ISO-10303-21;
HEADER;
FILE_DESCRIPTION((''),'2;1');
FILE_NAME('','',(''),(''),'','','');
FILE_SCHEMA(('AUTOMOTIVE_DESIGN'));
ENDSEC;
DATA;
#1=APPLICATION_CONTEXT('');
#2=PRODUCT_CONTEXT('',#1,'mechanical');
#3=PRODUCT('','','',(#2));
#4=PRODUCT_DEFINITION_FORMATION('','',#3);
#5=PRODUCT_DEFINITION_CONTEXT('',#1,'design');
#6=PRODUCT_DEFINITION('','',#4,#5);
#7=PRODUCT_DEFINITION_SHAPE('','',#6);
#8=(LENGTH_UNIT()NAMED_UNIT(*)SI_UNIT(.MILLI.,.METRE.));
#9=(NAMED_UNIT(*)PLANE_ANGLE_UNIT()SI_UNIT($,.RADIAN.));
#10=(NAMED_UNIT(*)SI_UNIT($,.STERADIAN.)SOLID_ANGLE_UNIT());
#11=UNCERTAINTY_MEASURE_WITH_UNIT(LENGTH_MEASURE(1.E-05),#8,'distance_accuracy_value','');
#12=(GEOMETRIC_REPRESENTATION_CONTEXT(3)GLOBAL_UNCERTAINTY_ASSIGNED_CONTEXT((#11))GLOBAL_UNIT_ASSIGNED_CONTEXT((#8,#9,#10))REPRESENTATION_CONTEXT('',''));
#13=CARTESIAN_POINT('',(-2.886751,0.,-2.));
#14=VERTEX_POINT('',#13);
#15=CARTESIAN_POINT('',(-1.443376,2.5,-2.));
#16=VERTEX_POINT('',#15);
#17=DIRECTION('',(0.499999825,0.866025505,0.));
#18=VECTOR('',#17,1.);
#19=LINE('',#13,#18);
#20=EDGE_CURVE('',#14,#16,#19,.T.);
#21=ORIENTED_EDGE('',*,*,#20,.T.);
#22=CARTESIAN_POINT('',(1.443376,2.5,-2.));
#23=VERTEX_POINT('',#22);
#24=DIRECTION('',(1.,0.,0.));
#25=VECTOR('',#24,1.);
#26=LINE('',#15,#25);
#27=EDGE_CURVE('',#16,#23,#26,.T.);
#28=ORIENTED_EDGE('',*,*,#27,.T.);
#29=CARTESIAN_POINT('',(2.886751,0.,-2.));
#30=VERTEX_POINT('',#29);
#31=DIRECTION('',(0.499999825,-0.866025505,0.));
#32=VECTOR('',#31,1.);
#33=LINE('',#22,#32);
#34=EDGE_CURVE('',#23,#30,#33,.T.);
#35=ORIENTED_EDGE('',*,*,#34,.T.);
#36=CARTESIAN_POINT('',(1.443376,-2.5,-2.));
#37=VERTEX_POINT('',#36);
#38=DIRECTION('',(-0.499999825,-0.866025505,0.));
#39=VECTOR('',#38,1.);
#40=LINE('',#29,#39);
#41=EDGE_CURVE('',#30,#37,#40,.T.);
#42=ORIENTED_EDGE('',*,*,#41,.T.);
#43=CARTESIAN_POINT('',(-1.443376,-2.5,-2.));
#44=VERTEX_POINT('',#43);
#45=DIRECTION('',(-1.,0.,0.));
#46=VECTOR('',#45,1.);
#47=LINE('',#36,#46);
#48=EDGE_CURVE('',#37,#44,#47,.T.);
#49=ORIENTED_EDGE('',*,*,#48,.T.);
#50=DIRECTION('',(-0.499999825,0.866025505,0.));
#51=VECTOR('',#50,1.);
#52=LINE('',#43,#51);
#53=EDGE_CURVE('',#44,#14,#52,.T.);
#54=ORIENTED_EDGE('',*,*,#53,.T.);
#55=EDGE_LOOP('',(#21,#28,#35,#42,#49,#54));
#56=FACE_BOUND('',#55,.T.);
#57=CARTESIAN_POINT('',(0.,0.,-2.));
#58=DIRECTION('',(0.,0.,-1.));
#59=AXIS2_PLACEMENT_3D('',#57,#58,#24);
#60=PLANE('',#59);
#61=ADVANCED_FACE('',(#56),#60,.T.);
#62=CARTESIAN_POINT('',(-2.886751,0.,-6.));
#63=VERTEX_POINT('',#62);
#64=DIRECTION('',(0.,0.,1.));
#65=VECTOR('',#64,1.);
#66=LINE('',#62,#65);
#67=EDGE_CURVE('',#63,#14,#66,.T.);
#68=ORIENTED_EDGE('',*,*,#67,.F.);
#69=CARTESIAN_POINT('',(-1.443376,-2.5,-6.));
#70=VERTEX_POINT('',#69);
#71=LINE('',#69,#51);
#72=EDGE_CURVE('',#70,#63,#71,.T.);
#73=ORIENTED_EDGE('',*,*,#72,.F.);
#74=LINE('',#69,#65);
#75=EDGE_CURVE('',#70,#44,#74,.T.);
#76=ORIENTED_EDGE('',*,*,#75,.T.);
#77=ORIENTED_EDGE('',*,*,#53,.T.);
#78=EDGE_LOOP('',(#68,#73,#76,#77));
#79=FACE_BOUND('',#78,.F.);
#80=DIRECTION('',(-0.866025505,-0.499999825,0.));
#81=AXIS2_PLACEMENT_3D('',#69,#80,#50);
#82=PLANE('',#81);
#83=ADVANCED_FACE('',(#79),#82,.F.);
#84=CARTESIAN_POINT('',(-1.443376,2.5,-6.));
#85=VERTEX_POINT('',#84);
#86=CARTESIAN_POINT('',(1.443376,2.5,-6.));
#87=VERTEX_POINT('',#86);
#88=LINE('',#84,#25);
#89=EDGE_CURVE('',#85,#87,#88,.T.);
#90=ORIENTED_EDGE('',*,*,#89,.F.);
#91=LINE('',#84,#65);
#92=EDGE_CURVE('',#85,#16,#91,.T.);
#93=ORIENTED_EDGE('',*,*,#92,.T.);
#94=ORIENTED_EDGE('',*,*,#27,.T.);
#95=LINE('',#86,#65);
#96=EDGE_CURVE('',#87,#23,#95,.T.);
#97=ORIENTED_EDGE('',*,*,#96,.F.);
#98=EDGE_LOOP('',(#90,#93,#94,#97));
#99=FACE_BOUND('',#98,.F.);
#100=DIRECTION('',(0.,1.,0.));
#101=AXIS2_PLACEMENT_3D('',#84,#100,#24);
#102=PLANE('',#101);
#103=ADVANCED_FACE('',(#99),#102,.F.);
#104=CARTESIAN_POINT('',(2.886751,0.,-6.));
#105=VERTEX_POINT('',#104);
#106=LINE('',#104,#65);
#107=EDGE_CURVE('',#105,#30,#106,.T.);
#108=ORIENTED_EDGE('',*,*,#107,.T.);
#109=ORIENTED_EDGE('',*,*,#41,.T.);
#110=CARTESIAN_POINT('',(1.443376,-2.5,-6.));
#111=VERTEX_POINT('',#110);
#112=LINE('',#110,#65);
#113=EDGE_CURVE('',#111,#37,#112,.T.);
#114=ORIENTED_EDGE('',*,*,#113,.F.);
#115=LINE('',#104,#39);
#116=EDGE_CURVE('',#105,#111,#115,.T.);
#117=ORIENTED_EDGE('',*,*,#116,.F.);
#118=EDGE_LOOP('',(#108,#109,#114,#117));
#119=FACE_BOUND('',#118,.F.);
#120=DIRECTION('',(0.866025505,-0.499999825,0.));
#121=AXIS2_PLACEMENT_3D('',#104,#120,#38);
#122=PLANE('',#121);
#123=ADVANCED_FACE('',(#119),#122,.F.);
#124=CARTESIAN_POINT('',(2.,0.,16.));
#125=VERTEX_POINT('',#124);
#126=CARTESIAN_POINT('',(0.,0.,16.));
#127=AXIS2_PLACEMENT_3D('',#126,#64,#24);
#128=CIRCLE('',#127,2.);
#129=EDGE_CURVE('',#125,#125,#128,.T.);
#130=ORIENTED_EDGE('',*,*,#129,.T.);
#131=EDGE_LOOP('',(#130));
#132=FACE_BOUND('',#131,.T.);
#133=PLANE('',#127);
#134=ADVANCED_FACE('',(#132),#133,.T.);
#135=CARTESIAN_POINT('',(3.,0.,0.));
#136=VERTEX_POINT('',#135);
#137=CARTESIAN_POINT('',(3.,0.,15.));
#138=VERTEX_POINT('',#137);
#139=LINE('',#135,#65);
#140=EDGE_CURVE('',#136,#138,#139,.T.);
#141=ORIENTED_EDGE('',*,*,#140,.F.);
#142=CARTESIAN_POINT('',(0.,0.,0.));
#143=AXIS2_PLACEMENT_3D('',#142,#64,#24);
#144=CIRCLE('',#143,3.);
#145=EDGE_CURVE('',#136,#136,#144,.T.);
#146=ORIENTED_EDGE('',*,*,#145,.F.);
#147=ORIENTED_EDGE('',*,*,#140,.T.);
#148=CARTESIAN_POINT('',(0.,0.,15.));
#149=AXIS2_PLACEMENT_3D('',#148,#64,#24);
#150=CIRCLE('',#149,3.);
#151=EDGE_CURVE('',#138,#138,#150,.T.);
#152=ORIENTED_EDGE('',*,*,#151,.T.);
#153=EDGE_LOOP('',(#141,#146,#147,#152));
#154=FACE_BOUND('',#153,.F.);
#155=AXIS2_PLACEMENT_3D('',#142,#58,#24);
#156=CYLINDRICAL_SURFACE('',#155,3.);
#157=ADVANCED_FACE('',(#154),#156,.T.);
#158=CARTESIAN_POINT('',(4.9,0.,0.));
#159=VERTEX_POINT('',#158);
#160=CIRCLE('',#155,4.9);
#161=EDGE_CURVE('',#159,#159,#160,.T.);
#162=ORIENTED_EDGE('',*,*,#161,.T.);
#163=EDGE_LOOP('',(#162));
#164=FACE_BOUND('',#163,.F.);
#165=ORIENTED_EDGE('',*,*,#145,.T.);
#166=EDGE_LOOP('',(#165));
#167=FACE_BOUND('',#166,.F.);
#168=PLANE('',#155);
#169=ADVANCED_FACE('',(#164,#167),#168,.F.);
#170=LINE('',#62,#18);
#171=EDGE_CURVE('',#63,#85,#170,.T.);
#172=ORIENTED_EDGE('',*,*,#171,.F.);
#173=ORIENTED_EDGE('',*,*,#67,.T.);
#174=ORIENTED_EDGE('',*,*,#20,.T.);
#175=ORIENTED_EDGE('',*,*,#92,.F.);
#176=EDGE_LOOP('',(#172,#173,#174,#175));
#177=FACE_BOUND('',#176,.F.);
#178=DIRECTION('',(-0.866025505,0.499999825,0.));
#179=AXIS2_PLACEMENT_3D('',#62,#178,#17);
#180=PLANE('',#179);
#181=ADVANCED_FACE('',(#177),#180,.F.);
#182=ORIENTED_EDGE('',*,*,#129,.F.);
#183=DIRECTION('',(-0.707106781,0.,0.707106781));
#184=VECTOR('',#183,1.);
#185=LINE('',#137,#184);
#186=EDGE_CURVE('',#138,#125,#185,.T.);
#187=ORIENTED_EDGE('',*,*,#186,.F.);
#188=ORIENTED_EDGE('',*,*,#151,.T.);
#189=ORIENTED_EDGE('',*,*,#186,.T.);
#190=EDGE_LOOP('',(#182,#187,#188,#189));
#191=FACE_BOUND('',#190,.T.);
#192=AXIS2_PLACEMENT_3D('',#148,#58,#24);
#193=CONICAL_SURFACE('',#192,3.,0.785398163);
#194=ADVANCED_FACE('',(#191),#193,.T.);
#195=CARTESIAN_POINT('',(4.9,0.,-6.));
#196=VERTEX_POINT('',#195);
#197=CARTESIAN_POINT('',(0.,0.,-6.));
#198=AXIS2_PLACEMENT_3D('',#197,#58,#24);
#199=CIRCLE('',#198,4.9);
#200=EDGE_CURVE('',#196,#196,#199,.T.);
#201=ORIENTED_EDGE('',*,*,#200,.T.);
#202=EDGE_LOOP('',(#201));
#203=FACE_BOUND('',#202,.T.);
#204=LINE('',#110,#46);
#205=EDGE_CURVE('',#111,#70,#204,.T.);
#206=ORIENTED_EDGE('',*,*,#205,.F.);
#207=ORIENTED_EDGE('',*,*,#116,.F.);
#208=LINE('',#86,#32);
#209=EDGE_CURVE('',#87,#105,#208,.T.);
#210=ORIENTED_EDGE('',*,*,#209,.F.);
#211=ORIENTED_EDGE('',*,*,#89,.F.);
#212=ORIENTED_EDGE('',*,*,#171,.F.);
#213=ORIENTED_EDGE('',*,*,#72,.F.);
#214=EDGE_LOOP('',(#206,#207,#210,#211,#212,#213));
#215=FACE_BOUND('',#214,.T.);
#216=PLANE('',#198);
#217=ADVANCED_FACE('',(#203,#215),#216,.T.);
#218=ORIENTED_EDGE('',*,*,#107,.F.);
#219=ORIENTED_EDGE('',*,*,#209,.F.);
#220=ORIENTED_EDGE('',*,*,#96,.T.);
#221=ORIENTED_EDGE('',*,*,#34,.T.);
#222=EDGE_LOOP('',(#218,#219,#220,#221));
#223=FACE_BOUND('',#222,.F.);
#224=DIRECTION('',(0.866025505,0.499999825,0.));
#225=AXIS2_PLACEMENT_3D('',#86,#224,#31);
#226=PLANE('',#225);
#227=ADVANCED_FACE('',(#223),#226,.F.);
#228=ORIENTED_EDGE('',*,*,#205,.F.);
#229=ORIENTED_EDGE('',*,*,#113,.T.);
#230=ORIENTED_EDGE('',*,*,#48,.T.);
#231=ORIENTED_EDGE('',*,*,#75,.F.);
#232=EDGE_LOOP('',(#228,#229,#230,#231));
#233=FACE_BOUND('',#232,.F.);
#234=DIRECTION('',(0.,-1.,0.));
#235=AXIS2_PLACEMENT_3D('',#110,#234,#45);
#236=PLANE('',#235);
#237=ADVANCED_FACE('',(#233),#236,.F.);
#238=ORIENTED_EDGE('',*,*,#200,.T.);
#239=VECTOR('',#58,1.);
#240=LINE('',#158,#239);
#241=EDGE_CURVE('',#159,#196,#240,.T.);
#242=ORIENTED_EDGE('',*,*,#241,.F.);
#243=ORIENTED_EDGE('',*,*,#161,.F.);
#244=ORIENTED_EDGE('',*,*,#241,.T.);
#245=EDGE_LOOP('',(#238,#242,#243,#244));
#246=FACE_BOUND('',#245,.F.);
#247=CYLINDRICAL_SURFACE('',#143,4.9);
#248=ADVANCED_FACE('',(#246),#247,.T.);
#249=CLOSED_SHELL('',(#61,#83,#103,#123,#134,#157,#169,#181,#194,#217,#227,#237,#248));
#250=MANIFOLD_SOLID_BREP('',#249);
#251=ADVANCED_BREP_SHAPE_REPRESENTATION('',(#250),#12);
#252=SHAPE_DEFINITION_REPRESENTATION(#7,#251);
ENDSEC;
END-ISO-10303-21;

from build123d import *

# Parameters (mm, degrees)
F0_R     = 3
F1_DEPTH = 16
F2_R     = 4.9
F3_DEPTH = 6
F5_DEPTH = 4
F6_SIZE  = 1


with BuildPart() as f1:
    # F0 (on Top) → F1 (new body)
    with BuildSketch(Plane.XY):
        Circle(F0_R)
    extrude(amount=F1_DEPTH)

    # F2 (on face) → F3 (join)
    with BuildSketch(Plane(origin=(0, 0, 0), x_dir=(1, 0, 0), z_dir=(0, 0, -1))):
        Circle(F2_R)
    extrude(amount=F3_DEPTH)

    # F4 (on face) → F5 (cut)
    with BuildSketch(Plane(origin=(0, 0, -6), x_dir=(1, 0, 0), z_dir=(0, 0, -1))):
        Polygon((1.443376, 2.5), (-1.443376, 2.5), (-2.886751, 0), (-1.443376, -2.5), (1.443376, -2.5), (2.886751, 0), align=None)
    extrude(amount=-F5_DEPTH, mode=Mode.SUBTRACT)

    # F6
    f6_edges = [f1.edges().sort_by_distance(p)[0] for p in [
        (-3, 0, 16),
    ]]
    chamfer(f6_edges, length=F6_SIZE)


solid = f1.part
